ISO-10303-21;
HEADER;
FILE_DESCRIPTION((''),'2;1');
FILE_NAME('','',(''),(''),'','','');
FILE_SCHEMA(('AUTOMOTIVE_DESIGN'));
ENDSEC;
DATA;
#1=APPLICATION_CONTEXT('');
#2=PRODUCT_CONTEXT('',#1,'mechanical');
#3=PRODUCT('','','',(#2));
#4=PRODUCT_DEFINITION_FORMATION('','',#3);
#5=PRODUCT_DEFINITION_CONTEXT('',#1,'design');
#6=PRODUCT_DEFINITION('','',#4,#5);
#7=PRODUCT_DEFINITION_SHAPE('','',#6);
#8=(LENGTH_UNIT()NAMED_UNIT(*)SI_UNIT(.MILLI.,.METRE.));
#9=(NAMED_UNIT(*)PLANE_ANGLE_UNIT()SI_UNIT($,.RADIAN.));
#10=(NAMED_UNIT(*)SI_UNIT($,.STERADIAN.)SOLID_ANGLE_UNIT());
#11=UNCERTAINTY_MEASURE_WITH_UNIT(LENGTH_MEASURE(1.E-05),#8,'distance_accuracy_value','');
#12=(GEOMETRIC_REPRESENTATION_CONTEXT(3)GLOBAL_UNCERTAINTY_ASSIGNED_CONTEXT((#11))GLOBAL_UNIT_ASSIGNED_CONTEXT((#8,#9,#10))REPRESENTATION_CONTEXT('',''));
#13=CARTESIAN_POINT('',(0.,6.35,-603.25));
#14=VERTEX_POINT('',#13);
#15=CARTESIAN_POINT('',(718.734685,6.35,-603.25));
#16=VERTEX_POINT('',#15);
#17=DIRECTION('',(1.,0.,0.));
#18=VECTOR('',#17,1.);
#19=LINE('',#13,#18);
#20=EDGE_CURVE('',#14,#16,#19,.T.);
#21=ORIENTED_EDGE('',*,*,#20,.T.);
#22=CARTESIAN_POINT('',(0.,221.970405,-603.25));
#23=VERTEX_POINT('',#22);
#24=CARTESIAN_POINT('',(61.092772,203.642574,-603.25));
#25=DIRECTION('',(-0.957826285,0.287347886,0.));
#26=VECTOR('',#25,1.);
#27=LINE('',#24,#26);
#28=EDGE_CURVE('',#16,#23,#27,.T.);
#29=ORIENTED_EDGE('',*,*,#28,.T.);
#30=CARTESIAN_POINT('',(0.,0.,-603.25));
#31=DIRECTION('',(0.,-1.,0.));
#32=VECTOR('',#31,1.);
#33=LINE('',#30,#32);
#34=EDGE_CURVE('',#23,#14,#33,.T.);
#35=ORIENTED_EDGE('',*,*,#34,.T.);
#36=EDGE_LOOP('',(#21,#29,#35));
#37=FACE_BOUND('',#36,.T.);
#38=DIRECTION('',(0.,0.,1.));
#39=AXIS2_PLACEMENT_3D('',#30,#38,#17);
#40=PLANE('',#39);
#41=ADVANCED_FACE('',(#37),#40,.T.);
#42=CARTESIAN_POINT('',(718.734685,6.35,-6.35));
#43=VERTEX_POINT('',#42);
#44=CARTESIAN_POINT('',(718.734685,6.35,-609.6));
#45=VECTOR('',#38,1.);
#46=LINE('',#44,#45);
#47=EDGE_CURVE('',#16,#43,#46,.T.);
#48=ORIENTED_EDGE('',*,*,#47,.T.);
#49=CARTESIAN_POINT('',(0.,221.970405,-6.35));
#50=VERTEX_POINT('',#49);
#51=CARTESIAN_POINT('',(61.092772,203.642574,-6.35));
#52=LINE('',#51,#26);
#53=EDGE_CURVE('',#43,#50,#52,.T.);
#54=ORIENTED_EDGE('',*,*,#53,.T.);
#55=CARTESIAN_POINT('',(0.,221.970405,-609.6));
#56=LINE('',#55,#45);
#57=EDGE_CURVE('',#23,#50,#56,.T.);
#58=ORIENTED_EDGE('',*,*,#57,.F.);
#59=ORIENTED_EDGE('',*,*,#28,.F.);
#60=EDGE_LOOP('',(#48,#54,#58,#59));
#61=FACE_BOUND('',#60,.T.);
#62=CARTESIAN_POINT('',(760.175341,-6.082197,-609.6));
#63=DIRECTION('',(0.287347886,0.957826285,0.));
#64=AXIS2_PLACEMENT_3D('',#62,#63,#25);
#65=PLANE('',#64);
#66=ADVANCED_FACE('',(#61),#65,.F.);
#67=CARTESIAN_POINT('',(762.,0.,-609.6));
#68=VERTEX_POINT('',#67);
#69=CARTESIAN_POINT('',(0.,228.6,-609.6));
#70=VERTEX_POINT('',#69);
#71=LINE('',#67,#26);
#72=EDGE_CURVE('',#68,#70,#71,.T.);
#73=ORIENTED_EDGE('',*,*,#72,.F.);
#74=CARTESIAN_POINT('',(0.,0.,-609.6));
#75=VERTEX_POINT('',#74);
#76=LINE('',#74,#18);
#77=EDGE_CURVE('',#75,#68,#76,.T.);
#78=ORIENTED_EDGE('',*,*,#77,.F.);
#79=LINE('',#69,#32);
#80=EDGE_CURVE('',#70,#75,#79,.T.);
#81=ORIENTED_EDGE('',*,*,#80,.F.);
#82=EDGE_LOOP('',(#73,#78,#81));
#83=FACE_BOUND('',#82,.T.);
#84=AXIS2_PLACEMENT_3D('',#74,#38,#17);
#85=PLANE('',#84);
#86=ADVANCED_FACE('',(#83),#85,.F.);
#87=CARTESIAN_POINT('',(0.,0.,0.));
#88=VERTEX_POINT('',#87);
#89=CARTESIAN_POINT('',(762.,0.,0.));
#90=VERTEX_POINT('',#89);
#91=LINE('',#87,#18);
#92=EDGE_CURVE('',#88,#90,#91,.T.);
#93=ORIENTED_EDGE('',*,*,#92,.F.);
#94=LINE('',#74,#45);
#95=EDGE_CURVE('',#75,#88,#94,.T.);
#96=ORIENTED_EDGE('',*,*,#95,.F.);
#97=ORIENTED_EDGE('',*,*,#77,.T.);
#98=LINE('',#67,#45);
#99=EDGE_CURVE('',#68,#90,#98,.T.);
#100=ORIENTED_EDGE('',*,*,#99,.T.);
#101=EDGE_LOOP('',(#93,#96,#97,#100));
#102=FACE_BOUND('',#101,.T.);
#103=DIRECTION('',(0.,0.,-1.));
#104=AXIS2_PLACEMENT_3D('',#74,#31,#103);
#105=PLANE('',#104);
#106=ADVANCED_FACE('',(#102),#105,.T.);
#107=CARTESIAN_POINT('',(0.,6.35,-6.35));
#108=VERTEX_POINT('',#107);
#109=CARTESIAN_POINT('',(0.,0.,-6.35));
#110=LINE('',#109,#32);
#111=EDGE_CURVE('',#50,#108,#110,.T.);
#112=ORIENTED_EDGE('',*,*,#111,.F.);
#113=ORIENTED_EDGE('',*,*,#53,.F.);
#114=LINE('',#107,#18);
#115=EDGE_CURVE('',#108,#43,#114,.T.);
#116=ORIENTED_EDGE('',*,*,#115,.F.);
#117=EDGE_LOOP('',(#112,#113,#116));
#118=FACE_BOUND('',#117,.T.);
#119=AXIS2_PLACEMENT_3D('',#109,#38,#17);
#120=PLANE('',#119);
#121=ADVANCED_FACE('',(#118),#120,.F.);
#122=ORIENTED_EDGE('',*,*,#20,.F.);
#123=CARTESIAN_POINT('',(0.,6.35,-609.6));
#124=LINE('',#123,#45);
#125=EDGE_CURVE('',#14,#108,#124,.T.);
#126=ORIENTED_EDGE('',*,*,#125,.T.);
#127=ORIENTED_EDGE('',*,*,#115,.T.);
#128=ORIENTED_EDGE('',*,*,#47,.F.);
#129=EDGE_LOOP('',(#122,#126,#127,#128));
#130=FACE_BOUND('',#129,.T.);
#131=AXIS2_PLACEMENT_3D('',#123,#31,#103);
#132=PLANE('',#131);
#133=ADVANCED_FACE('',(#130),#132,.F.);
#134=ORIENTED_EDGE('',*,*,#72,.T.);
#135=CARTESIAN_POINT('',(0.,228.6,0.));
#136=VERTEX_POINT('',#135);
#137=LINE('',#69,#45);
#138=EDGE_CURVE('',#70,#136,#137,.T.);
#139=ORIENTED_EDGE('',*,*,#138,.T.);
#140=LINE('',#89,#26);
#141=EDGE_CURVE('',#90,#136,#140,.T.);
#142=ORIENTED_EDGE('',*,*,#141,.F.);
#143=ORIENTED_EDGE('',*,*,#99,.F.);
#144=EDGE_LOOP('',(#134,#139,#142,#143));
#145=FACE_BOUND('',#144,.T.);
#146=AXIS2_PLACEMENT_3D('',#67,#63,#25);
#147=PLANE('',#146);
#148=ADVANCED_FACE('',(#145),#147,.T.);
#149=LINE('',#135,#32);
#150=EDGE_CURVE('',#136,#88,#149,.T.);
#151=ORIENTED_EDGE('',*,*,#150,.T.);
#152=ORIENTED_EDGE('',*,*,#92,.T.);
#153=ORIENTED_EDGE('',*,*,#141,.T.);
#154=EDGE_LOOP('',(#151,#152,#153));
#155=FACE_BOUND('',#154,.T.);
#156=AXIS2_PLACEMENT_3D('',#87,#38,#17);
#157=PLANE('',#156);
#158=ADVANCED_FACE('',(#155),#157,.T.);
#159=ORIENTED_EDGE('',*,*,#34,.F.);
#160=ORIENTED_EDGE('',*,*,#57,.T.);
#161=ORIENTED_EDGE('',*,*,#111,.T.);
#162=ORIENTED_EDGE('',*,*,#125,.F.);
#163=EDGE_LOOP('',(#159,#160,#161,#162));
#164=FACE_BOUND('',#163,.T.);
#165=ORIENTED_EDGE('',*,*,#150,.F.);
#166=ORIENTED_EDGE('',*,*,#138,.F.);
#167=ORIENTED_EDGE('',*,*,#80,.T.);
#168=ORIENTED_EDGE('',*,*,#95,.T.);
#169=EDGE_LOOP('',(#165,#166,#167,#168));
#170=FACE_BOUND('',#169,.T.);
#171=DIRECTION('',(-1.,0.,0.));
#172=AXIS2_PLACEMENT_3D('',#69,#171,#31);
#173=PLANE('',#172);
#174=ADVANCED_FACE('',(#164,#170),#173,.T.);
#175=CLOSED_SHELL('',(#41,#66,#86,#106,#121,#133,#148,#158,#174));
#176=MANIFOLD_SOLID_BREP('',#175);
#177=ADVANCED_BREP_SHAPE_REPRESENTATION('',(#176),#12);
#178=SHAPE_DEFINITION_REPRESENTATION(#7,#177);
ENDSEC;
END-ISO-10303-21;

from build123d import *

# Parameters (mm, degrees)
BOSS_EXTRUDE1_DEPTH = 609.6
SHELL1_T            = -6.35


with BuildPart() as part:
    # Sketch1 → Boss-Extrude1 (new body)
    with BuildSketch(Plane.XY):
        Polygon((0, 228.6), (0, 0), (762, 0), align=None)
    extrude(amount=-BOSS_EXTRUDE1_DEPTH)

    # Shell1
    shell1_openings = [part.faces().sort_by_distance(p)[0] for p in [
        (0, 114.3, -304.8),
    ]]
    offset(amount=SHELL1_T, openings=shell1_openings, kind=Kind.INTERSECTION)


solid = part.part
